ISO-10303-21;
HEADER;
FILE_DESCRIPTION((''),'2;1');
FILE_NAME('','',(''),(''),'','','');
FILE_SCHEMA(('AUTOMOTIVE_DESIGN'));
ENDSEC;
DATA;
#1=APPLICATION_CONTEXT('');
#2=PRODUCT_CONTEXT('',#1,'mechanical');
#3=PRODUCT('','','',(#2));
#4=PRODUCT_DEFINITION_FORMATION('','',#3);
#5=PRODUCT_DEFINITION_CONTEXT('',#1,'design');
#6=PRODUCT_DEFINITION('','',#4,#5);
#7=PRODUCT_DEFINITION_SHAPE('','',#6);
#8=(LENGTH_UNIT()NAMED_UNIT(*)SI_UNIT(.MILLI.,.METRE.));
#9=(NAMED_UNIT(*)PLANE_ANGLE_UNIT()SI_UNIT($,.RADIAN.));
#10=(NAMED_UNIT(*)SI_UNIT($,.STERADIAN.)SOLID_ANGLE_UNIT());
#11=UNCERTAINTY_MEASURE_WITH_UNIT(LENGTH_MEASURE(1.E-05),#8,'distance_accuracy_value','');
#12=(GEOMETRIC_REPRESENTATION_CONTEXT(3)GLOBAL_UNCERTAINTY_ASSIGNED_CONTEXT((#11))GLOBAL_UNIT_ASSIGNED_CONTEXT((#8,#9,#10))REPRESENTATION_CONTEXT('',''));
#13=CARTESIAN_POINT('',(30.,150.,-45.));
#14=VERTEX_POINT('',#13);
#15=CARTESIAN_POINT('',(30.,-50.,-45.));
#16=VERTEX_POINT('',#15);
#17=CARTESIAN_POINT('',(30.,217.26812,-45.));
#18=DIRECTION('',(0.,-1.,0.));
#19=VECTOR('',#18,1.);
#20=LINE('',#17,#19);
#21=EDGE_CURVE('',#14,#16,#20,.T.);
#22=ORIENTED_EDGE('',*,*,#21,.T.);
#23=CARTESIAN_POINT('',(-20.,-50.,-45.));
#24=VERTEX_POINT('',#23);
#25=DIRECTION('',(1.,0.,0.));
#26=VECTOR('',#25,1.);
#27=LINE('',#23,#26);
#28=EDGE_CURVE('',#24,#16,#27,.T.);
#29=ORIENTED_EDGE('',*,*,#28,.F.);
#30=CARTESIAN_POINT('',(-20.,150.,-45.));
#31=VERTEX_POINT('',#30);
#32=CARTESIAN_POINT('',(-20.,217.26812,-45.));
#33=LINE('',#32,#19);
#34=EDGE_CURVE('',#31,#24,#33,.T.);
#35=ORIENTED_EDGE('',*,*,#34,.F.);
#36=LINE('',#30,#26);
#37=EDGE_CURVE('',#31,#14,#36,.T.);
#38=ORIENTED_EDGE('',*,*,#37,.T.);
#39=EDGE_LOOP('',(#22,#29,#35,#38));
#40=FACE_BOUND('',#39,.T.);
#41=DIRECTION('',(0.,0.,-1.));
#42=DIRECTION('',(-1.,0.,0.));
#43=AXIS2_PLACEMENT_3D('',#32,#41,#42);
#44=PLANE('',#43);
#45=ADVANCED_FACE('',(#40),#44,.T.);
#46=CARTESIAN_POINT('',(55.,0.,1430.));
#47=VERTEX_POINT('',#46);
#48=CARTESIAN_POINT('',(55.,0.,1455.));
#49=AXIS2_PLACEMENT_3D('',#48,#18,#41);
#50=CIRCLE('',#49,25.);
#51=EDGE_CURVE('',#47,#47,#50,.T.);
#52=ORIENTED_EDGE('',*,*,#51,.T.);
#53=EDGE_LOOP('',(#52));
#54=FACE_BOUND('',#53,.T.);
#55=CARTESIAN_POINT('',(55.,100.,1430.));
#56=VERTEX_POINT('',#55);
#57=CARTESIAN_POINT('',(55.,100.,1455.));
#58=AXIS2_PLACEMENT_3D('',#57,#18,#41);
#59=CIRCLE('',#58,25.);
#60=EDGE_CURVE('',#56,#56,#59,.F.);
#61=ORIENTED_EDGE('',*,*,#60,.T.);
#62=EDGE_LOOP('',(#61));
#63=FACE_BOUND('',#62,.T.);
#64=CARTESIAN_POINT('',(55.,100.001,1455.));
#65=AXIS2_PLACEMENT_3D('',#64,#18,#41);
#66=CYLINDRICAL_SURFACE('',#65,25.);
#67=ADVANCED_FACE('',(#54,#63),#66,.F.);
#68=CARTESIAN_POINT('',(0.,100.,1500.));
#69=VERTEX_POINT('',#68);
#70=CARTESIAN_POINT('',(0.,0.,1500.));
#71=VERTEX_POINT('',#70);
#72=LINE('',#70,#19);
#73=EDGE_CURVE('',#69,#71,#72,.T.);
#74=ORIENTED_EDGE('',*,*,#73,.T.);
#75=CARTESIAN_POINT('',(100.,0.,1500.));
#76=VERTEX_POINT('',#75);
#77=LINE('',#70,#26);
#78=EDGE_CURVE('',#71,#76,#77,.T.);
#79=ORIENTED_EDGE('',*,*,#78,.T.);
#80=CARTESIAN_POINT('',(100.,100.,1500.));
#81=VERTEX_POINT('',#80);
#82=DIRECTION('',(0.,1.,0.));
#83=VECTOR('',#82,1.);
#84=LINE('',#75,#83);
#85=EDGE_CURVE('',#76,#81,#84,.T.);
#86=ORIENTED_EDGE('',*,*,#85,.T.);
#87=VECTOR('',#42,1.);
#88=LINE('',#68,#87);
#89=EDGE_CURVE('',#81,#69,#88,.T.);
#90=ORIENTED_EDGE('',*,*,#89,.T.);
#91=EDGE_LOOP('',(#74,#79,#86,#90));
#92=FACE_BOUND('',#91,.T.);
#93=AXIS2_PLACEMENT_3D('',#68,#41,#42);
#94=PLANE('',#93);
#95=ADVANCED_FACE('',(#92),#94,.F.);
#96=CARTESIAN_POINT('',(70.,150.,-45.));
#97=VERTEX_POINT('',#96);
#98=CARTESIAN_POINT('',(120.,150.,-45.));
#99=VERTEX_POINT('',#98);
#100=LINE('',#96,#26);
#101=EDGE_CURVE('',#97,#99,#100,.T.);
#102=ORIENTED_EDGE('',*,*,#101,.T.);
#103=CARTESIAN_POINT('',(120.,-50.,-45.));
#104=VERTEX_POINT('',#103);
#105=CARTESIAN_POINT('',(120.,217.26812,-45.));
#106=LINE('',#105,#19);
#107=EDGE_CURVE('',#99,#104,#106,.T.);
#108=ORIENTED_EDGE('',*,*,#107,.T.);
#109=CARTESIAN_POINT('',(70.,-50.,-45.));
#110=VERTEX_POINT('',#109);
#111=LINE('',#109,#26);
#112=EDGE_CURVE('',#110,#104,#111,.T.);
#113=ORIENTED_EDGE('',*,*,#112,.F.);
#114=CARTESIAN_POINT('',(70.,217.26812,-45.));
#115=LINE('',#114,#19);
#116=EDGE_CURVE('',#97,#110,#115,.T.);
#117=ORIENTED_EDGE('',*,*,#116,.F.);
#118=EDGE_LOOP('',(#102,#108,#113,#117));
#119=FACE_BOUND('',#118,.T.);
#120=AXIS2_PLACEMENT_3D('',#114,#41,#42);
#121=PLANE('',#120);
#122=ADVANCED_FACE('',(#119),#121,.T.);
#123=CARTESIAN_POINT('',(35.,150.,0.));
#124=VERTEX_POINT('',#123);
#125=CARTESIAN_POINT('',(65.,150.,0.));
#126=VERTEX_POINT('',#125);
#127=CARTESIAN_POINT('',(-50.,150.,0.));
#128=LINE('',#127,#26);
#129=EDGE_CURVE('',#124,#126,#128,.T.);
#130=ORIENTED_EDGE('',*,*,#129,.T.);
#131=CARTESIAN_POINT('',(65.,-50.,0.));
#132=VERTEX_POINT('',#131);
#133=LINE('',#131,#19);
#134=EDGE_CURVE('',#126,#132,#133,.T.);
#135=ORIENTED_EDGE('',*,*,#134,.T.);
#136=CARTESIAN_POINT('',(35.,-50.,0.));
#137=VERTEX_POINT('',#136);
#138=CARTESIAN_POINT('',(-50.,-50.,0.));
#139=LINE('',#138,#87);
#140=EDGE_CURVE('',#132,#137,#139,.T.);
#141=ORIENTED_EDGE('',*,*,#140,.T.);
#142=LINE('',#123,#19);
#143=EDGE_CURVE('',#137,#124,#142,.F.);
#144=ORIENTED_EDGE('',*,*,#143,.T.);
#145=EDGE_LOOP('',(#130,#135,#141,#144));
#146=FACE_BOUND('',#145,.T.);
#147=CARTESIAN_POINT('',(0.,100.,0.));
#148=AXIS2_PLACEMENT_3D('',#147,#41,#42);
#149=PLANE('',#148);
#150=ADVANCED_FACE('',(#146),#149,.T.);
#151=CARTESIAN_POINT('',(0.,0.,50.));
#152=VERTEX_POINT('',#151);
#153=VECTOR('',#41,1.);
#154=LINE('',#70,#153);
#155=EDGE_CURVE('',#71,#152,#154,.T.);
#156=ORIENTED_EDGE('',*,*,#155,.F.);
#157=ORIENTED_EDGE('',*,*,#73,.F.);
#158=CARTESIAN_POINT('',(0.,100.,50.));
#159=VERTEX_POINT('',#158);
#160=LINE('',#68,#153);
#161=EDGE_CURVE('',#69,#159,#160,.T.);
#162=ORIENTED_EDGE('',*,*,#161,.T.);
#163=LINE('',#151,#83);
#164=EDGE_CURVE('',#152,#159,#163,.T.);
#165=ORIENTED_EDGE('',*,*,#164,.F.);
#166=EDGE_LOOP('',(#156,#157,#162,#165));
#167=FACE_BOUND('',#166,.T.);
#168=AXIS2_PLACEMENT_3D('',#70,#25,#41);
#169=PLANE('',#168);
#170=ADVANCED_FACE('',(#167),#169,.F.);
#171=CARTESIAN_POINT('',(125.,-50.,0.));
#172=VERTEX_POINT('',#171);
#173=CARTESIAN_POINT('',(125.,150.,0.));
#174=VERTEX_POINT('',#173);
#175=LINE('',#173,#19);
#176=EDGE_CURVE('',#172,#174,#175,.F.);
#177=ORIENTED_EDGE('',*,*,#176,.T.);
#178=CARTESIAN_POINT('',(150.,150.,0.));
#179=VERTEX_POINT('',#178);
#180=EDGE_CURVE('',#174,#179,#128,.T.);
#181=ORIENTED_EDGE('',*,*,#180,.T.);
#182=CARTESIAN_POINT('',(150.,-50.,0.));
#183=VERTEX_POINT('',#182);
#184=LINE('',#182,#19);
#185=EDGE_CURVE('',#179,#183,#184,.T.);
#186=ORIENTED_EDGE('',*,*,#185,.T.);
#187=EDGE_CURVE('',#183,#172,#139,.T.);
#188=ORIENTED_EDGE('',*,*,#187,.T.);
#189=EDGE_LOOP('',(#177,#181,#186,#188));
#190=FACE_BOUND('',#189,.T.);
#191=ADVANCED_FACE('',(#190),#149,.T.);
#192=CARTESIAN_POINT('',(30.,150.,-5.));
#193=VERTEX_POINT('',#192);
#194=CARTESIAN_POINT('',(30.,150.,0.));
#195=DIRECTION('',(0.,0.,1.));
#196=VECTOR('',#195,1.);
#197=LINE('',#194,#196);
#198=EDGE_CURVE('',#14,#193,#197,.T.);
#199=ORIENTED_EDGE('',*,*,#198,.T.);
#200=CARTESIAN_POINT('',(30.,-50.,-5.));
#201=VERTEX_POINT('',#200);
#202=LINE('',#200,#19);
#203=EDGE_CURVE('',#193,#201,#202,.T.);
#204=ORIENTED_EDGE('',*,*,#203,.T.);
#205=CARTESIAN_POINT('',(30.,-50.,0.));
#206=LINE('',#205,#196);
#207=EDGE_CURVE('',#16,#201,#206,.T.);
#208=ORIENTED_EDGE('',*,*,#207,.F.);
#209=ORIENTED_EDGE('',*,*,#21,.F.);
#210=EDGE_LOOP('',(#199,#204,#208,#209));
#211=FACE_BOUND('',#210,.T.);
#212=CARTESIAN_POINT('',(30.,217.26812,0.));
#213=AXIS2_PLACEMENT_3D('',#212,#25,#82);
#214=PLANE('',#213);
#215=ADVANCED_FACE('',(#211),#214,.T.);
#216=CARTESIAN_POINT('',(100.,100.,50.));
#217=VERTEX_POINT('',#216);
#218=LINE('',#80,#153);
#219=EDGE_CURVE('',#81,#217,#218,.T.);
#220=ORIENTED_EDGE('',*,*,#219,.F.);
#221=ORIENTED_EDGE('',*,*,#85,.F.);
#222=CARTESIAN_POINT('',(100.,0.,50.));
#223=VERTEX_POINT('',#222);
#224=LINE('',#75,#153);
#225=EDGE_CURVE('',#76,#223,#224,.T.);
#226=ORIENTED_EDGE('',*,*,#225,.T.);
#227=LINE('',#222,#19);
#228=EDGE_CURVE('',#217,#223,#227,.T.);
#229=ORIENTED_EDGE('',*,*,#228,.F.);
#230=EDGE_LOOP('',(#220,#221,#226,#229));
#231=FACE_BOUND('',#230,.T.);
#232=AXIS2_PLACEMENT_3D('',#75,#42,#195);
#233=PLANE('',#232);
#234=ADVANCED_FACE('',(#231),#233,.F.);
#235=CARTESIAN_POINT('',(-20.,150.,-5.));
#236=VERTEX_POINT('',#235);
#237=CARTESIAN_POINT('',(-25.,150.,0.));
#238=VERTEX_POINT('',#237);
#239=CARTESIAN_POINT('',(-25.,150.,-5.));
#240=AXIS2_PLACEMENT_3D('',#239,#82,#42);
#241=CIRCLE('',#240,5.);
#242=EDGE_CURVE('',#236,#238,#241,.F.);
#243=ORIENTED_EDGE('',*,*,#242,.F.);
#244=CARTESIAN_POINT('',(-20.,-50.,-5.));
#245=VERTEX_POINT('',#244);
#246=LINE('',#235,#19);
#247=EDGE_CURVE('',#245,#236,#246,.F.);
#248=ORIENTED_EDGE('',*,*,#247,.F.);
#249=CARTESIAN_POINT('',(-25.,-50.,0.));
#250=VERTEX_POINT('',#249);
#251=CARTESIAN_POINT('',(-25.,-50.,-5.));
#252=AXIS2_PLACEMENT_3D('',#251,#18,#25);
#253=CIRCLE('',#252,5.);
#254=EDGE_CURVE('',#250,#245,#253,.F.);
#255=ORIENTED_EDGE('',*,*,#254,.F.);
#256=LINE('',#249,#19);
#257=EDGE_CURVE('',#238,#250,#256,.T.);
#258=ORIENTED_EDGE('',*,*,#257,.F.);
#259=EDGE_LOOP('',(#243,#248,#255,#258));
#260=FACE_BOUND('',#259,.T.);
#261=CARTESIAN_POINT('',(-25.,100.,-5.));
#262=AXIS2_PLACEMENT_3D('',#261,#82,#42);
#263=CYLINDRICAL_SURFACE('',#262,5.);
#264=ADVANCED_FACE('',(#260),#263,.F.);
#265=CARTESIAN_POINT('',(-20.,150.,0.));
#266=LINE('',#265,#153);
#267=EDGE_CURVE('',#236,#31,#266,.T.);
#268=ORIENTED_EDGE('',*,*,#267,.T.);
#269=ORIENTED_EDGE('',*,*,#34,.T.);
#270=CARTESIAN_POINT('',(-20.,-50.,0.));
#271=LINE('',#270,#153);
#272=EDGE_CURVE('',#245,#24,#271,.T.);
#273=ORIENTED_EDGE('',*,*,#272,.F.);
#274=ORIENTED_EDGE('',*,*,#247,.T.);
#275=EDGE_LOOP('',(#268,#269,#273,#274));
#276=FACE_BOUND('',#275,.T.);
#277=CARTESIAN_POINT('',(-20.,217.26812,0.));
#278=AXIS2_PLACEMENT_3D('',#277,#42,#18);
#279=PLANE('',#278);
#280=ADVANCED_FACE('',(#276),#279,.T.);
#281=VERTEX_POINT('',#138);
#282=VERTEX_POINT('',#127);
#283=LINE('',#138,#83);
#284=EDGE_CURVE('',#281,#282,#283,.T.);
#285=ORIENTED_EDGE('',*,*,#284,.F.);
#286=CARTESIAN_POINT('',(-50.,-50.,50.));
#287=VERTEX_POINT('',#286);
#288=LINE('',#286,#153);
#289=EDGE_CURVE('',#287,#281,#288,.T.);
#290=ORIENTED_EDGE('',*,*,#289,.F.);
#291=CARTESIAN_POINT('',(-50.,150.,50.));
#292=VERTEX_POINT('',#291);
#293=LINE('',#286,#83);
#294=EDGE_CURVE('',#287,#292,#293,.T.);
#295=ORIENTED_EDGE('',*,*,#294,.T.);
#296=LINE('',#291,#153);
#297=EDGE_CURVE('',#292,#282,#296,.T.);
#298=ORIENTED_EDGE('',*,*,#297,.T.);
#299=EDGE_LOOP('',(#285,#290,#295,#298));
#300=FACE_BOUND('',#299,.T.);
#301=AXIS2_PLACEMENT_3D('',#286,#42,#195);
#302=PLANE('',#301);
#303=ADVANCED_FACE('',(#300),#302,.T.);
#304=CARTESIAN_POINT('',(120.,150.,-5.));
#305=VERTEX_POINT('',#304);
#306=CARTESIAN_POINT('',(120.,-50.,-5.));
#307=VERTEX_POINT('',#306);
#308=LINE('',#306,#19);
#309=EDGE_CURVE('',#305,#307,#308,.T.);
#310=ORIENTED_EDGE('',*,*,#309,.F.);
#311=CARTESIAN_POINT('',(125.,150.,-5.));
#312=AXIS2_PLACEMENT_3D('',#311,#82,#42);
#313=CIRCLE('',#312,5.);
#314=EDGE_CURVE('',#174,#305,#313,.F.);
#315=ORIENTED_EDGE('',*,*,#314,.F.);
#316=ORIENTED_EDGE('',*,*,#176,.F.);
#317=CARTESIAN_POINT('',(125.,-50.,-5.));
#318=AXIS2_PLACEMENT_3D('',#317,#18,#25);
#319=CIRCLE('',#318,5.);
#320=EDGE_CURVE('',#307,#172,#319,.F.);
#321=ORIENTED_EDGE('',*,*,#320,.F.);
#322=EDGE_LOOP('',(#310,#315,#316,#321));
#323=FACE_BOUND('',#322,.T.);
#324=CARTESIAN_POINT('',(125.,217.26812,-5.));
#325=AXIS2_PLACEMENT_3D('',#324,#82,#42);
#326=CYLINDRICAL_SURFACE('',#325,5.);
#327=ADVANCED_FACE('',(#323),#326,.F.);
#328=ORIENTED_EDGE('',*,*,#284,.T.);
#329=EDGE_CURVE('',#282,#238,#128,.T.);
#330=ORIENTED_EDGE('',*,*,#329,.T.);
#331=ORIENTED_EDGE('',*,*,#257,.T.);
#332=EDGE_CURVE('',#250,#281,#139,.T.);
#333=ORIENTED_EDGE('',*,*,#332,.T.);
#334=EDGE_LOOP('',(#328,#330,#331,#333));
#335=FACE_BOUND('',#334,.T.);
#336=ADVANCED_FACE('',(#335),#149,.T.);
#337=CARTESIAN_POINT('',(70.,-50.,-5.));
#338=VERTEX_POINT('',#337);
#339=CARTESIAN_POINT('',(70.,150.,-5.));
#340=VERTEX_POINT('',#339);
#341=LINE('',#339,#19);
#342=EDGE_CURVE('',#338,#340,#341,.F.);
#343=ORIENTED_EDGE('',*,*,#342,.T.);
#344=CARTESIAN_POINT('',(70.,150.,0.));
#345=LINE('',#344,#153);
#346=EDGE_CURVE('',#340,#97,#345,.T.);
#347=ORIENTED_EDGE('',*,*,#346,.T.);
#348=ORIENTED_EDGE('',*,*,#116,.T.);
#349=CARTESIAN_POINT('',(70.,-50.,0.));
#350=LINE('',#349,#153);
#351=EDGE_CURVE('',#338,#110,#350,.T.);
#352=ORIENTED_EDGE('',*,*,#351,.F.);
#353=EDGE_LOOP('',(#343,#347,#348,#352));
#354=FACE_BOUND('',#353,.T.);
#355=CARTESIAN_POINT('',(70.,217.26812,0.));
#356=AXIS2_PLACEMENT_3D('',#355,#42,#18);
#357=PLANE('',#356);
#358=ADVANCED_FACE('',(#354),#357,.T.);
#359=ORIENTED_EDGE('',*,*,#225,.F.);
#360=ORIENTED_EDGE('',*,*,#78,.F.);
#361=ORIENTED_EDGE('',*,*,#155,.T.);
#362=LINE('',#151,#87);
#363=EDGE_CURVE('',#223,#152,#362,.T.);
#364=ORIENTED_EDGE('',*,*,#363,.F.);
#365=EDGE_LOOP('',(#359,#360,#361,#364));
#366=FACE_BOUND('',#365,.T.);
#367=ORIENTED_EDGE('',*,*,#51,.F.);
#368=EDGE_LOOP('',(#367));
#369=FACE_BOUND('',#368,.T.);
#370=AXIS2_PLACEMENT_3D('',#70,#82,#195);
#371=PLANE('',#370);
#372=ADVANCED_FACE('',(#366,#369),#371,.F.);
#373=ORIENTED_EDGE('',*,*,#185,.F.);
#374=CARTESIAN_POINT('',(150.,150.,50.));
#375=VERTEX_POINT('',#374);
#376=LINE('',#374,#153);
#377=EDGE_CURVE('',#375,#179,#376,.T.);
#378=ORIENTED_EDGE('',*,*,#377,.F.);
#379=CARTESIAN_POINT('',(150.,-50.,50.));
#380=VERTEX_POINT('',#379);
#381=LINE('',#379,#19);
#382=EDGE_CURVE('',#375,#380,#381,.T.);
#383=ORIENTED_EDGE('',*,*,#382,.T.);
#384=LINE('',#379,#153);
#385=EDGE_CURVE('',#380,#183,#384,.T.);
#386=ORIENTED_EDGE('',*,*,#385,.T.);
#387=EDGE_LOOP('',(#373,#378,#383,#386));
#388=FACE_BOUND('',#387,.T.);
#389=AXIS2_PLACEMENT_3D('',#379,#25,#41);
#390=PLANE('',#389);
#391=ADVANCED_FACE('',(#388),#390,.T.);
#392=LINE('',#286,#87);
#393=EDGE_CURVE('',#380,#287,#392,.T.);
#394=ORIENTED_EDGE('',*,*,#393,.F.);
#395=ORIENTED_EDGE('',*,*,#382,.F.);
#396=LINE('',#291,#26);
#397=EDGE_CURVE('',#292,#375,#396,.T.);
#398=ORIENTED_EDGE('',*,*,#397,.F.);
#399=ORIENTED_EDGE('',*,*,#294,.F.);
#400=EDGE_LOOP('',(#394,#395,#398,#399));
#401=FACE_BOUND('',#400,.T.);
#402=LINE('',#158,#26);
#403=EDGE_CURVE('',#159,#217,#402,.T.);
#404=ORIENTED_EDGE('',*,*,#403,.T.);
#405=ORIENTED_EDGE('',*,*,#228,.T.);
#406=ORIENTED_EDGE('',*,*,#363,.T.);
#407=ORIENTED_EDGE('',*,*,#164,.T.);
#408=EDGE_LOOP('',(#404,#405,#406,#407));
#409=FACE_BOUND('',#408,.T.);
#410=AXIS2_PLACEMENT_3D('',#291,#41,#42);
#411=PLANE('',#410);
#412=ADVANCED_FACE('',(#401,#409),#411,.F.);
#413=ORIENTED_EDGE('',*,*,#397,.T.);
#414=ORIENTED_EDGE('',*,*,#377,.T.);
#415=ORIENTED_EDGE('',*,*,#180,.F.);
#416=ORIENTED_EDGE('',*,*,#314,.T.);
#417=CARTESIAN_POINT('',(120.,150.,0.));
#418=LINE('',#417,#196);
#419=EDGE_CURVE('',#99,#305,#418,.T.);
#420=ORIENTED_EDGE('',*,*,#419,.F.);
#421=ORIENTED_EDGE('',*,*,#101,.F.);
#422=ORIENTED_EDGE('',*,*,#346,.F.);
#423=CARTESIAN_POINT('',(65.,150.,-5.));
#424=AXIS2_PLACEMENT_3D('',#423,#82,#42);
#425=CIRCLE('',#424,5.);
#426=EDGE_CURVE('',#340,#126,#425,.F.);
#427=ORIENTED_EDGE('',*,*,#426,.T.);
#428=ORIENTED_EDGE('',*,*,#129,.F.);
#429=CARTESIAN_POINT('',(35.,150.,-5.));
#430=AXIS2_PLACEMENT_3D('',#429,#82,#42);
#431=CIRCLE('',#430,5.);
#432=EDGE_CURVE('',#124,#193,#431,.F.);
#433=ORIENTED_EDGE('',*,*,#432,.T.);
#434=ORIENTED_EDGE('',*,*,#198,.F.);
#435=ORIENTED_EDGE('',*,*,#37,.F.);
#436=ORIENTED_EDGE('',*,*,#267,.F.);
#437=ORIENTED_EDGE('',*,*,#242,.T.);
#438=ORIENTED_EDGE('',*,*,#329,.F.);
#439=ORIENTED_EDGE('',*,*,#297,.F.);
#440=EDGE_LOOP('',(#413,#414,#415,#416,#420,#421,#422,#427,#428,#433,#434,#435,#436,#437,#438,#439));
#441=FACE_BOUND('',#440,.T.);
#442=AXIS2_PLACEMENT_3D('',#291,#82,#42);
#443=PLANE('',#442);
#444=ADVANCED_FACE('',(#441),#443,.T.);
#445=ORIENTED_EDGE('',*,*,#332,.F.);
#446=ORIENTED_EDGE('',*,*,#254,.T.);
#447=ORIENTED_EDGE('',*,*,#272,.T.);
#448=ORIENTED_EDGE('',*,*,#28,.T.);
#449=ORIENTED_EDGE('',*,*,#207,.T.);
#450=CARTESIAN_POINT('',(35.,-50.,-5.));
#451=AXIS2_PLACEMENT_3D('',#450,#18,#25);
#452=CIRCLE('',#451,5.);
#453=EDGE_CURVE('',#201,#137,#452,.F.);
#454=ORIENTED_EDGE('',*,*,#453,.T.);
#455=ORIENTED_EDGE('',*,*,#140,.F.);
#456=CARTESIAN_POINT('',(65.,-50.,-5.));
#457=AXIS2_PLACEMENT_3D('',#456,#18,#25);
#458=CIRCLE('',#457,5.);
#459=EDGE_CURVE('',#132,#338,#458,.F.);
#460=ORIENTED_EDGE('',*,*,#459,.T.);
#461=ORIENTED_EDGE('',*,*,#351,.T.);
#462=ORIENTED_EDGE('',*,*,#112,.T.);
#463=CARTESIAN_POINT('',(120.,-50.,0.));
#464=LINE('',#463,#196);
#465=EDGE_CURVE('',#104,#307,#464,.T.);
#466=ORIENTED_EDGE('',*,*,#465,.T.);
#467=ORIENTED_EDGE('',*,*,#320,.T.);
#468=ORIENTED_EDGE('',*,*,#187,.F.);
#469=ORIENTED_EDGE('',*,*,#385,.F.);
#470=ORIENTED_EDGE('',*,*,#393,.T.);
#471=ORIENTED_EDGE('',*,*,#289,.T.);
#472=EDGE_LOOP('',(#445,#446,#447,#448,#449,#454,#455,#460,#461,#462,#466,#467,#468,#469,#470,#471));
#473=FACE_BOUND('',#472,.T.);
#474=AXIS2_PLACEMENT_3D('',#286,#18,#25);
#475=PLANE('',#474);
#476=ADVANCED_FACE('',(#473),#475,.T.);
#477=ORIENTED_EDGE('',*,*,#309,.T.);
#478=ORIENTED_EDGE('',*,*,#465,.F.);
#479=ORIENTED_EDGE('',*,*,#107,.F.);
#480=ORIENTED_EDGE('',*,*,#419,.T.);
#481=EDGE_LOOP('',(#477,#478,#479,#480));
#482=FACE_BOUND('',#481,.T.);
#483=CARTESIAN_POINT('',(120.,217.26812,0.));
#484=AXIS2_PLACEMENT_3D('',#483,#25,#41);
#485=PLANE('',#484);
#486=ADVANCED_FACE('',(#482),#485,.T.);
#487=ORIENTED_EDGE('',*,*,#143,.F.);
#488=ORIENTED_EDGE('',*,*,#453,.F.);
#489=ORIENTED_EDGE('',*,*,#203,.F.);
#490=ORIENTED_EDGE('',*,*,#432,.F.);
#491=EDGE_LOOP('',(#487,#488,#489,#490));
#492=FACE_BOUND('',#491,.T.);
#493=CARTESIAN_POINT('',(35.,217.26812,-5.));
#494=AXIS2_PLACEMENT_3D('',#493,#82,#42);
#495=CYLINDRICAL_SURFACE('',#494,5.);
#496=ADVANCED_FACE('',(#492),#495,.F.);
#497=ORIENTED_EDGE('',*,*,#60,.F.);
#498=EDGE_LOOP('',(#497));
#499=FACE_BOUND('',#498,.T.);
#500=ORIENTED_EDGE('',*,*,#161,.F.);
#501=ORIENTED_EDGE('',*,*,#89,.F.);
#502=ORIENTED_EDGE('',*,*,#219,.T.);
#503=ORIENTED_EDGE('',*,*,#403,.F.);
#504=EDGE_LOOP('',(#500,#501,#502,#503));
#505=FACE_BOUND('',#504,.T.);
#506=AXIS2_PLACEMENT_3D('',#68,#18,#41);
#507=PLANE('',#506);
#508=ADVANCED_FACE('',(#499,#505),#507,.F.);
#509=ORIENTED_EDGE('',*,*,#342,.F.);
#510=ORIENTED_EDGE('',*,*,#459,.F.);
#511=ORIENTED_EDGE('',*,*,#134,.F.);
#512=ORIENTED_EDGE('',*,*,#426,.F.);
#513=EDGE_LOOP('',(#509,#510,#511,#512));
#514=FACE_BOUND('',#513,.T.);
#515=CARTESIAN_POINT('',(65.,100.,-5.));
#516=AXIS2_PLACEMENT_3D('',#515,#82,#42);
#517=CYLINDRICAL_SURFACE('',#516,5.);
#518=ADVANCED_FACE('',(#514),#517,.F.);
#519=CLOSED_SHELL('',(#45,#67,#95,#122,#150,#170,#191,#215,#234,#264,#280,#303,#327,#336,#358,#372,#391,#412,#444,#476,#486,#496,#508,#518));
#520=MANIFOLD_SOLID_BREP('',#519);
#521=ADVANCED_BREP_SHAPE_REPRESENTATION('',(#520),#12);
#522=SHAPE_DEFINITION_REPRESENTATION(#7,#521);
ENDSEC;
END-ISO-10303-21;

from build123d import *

# Parameters (mm, degrees)
SKETCH2_W           = 100
SKETCH2_H           = 100
BOSS_EXTRUDE1_DEPTH = 1500
CUT_EXTRUDE1_REACH  = 1508.652
SKETCH3_R           = 25
SKETCH4_W           = 200
SKETCH4_H           = 200
BOSS_EXTRUDE2_DEPTH = 50
SKETCH5_W           = 50
SKETCH5_H           = 45
BOSS_EXTRUDE3_DEPTH = 200
FILLET1_R           = 5


with BuildPart() as part:
    # Sketch2 → Boss-Extrude1 (new body)
    with BuildSketch(Plane.XY):
        with Locations((50, 50)):
            Rectangle(SKETCH2_W, SKETCH2_H)
    extrude(amount=BOSS_EXTRUDE1_DEPTH)

    # Sketch3 → Cut-Extrude1 (cut, up to next)
    with BuildSketch(Plane.XZ, mode=Mode.PRIVATE) as cut_extrude1_sk1:
        with Locations(Location((55, 1455, 0), (0, 0, 270))):
            Circle(SKETCH3_R)
    cut_extrude1_tool1 = extrude(cut_extrude1_sk1.sketch, amount=-CUT_EXTRUDE1_REACH, mode=Mode.PRIVATE) & part.part
    add(cut_extrude1_tool1.solids().sort_by_distance((55, 0, 1455))[0], mode=Mode.SUBTRACT)

    # Sketch4 → Boss-Extrude2 (add)
    with BuildSketch(Plane(origin=(0, 0, 0), x_dir=(-1, 0, 0), z_dir=(0, 0, -1))):
        with Locations((-50, 50)):
            Rectangle(SKETCH4_W, SKETCH4_H)
    extrude(amount=-BOSS_EXTRUDE2_DEPTH)

    # Sketch5 → Boss-Extrude3 (add)
    with BuildSketch(Plane.XZ.offset(50)):
        with Locations((5, -22.5)):
            Rectangle(SKETCH5_W, SKETCH5_H)
        with Locations((95, -22.5)):
            Rectangle(SKETCH5_W, SKETCH5_H)
    extrude(amount=-BOSS_EXTRUDE3_DEPTH)

    # Fillet1
    fillet1_edges = [part.edges().sort_by_distance(p)[0] for p in [
        (30, 50, 0),
        (-20, 50, 0),
        (120, 50, 0),
        (70, 50, 0),
    ]]
    fillet(fillet1_edges, radius=FILLET1_R)


solid = part.part
